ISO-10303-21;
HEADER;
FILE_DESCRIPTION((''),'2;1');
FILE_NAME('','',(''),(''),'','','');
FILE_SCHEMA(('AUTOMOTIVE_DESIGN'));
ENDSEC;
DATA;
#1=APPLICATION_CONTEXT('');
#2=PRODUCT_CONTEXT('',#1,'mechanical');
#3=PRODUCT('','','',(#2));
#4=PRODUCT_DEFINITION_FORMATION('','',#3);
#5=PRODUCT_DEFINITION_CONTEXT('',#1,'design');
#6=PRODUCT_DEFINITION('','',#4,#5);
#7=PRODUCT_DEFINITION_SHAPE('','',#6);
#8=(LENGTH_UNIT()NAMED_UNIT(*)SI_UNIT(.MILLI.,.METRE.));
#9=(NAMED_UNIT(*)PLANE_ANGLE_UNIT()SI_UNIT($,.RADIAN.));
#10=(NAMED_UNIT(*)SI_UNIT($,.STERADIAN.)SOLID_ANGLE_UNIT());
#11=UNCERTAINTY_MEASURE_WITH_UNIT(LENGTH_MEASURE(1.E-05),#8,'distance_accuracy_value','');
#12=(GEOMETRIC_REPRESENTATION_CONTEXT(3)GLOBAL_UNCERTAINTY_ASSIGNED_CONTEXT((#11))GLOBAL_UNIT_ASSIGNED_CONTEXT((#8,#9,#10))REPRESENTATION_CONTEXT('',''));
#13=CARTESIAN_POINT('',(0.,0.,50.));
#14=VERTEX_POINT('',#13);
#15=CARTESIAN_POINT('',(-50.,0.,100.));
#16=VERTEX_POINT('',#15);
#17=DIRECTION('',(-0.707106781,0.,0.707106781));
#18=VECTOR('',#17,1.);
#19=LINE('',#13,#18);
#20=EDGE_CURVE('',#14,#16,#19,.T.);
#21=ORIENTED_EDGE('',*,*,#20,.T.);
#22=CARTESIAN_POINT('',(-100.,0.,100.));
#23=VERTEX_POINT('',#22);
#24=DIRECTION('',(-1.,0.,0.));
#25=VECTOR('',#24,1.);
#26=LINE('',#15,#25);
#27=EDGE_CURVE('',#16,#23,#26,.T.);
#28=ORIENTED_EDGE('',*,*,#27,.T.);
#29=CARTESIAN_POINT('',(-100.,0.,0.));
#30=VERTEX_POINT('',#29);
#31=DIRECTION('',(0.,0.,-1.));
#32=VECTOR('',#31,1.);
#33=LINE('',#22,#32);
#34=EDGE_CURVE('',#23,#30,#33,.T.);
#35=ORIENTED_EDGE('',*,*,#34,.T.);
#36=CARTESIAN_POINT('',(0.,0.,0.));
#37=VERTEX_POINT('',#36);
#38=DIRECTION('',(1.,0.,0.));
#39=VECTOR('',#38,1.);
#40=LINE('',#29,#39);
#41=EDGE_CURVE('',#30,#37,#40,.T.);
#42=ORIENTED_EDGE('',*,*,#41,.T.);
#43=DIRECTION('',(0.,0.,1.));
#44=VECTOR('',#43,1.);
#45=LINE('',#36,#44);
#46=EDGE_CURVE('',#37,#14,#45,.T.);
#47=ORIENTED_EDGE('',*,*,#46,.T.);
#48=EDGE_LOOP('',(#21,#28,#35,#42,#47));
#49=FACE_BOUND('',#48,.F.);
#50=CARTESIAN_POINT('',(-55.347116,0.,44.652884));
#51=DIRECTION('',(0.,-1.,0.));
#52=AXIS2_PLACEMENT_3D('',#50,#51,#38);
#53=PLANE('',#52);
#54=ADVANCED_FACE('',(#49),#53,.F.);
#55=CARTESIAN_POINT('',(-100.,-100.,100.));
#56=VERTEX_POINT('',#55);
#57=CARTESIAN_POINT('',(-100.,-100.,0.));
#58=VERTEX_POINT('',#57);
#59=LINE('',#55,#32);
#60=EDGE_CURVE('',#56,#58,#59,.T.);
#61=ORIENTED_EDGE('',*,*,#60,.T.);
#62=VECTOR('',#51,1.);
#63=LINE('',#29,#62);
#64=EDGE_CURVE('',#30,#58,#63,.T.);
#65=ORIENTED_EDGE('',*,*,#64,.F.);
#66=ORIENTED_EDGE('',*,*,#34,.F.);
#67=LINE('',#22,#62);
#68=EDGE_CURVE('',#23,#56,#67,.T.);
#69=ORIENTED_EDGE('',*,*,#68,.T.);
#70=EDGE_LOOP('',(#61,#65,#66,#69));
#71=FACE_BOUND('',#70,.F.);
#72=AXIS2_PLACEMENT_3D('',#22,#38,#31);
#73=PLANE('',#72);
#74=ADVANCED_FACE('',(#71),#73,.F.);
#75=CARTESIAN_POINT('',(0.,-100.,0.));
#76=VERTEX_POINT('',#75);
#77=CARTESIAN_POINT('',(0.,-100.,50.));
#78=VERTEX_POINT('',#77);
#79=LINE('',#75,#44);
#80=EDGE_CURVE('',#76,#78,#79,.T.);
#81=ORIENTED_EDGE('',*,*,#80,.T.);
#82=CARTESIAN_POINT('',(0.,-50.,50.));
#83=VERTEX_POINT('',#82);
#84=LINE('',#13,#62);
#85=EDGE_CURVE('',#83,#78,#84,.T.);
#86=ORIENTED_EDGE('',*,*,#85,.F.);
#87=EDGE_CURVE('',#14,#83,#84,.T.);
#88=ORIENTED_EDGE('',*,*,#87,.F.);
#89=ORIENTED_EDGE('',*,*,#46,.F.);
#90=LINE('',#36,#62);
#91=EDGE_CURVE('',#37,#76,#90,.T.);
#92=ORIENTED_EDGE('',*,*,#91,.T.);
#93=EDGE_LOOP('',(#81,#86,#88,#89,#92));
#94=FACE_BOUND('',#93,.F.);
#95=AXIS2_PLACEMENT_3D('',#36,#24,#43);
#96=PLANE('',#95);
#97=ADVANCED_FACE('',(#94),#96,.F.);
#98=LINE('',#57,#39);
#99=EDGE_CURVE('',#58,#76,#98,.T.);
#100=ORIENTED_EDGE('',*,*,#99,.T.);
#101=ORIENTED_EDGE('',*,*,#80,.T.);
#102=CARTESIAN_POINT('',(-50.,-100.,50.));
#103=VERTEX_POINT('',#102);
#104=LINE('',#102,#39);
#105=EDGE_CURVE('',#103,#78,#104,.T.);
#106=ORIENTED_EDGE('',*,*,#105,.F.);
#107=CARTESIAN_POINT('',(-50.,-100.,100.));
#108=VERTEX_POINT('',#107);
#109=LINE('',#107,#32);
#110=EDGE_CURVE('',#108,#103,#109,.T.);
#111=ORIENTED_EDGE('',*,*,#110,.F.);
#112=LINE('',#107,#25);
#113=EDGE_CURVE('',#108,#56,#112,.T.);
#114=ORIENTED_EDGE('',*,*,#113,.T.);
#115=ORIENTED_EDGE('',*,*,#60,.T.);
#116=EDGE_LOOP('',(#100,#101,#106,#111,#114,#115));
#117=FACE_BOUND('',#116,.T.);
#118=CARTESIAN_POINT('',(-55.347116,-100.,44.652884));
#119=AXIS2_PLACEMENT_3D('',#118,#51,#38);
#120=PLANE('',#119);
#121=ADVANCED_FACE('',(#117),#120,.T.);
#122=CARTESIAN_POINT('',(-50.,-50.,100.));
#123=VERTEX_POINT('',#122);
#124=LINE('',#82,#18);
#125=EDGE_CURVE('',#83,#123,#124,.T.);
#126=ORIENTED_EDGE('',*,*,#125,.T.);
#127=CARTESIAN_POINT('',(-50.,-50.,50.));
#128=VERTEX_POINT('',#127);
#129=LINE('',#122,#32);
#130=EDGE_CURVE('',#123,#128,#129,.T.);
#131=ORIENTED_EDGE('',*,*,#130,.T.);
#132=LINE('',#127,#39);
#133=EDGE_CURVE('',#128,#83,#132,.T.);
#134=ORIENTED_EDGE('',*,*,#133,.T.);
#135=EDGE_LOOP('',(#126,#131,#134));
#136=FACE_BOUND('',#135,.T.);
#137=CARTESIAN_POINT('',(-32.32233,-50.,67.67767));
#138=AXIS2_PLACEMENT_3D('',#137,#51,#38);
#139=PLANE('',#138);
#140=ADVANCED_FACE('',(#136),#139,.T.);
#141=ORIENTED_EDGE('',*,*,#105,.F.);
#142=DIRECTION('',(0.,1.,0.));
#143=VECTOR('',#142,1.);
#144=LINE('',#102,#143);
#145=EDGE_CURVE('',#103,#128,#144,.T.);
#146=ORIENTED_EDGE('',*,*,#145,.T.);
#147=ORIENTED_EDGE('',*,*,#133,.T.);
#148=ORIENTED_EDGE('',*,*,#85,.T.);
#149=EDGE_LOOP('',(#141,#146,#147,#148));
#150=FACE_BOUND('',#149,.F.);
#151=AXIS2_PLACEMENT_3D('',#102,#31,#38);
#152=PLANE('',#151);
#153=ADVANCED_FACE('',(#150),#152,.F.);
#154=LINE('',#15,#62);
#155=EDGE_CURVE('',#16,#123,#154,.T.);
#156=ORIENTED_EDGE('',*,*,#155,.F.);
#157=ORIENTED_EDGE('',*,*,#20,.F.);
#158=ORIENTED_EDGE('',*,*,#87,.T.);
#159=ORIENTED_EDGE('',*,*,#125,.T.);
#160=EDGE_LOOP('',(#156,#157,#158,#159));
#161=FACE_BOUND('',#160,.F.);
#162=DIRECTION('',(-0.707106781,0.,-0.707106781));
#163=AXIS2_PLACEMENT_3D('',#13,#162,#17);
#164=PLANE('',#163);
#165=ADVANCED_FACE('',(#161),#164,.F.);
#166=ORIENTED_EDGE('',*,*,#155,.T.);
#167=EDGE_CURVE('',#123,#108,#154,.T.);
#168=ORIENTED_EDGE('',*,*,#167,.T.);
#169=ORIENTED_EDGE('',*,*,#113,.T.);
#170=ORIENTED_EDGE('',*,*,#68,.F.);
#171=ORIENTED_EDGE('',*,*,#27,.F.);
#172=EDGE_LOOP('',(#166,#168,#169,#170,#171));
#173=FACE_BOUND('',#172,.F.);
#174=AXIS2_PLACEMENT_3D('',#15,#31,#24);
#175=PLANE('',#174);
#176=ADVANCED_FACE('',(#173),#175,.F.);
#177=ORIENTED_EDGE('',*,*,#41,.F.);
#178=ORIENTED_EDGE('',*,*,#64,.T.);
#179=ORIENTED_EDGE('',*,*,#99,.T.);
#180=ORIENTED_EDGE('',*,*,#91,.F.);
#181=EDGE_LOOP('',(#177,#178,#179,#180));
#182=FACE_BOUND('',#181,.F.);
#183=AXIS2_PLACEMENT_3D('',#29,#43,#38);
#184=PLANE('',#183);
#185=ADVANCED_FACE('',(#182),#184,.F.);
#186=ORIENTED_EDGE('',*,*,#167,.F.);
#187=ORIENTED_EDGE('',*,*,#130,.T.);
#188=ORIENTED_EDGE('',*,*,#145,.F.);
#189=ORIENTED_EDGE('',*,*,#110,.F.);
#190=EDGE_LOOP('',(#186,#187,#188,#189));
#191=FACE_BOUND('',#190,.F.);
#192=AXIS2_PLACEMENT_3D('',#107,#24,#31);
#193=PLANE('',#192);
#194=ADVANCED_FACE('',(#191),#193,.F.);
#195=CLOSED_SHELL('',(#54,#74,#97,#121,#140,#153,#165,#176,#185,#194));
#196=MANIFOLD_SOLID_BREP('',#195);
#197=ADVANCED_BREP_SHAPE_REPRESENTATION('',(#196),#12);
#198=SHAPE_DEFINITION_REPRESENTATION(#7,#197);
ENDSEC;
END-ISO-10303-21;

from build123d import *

# Parameters (mm, degrees)
F1_DEPTH = 100
F3_DEPTH = 50


with BuildPart() as f1:
    # F0 (on Front) → F1 (new body)
    with BuildSketch(Plane.XZ):
        Polygon((-50, 100), (-100, 100), (-100, 0), (0, 0), (0, 50), align=None)
    extrude(amount=F1_DEPTH)

    # F2 (on face) → F3 (cut)
    with BuildSketch(Plane.XZ.offset(100)):
        Polygon((0, 50), (-50, 100), (-50, 50), align=None)
    extrude(amount=-F3_DEPTH, mode=Mode.SUBTRACT)


solid = f1.part
